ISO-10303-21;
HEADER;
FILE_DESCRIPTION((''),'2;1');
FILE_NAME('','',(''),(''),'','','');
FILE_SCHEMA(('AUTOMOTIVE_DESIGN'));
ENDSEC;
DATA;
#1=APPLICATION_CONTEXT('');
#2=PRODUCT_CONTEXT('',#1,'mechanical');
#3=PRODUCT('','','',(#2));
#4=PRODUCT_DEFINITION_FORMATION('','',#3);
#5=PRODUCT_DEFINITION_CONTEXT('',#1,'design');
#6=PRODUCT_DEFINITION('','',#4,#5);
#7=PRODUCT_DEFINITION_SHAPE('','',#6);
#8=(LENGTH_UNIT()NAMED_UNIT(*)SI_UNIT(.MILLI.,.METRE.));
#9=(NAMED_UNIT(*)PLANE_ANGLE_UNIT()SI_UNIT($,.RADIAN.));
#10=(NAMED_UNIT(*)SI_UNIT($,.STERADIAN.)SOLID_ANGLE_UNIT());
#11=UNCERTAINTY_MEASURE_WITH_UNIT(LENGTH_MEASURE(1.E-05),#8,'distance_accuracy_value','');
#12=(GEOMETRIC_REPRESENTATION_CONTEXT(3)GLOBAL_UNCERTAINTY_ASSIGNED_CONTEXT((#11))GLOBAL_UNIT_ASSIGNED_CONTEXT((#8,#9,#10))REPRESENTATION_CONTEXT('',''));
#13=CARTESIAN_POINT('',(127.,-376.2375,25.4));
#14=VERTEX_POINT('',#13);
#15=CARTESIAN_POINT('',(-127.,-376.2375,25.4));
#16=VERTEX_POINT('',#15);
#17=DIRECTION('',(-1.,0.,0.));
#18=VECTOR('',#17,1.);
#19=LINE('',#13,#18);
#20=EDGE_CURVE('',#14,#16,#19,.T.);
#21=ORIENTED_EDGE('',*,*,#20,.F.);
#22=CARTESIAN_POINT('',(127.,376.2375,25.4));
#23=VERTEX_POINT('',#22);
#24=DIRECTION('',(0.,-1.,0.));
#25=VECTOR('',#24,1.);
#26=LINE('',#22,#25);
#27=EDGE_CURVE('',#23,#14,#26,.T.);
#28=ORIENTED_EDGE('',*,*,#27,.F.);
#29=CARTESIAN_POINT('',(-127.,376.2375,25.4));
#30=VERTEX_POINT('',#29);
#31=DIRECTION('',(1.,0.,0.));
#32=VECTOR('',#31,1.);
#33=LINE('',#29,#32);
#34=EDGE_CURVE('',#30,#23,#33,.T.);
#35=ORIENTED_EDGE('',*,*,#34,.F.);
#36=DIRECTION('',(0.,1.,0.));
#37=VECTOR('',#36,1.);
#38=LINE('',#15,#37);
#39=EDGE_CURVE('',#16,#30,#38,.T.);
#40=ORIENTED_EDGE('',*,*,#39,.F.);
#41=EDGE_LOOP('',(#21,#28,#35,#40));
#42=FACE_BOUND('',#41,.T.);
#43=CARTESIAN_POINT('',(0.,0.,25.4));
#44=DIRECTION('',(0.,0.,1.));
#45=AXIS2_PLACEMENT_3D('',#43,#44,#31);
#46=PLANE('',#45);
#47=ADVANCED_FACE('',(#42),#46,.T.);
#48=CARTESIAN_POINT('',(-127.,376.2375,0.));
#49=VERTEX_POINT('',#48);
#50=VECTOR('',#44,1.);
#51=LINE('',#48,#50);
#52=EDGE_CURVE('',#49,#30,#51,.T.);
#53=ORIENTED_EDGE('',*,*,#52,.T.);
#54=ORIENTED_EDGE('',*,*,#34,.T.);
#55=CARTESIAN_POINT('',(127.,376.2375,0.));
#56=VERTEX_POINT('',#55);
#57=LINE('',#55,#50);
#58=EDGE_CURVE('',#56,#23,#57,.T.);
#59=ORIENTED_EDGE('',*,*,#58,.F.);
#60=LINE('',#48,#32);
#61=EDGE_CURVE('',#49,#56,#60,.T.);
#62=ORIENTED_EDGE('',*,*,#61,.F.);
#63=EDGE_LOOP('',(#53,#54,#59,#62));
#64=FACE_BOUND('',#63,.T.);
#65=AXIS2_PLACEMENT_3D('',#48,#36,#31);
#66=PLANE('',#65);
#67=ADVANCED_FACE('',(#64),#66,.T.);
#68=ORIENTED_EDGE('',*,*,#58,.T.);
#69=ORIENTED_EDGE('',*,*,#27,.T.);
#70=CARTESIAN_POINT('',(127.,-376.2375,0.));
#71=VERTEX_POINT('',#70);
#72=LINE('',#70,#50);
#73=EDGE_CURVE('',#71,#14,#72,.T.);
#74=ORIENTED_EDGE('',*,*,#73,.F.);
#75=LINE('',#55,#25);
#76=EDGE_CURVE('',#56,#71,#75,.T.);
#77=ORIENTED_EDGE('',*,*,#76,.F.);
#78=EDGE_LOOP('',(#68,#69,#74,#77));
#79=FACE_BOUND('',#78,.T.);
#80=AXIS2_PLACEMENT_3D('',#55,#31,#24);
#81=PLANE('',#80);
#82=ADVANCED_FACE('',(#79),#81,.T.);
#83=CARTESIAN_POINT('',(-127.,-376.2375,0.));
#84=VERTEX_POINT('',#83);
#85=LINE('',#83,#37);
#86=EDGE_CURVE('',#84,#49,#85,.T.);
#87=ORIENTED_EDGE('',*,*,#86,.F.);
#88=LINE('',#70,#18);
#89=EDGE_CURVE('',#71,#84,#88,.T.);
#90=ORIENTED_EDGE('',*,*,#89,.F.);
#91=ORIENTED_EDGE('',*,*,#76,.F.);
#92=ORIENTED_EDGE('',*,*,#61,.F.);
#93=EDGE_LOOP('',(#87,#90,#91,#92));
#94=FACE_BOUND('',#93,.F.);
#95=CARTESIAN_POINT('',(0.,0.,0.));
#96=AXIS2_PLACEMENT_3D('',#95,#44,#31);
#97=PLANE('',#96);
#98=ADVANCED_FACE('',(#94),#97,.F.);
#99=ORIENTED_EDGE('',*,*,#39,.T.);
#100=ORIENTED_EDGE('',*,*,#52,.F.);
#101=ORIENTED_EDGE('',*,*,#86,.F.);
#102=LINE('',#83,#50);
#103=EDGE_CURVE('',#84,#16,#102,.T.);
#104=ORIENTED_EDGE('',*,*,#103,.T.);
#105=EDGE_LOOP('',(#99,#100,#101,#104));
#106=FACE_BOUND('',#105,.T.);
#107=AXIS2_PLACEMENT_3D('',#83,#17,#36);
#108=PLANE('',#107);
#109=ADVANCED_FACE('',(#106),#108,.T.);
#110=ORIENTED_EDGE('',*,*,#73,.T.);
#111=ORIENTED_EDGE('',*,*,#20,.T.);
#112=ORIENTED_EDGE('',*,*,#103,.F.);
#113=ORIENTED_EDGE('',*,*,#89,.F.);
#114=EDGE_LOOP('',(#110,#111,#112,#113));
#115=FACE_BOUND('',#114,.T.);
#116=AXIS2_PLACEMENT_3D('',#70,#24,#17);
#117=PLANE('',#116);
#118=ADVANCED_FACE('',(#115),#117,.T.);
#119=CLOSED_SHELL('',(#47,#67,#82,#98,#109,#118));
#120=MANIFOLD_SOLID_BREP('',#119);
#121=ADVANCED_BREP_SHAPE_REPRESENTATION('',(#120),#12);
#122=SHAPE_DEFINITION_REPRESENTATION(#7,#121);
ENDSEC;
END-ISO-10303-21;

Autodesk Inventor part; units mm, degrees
ref_plane "YZ Plane" through (0, 0, 0) normal (1, 0, 0) x (0, 1, 0)
ref_plane "XZ Plane" through (0, 0, 0) normal (0, 1, 0) x (-1, 0, 0)
ref_plane "XY Plane" through (0, 0, 0) normal (0, 0, 1) x (1, 0, 0)
sketch "Sketch1" plane through (0, 0, 0) normal (0, 0, 1) x (1, 0, 0)
  line L0 (-127, 376.2375) -> (127, 376.2375)
  line L1 (127, 376.2375) -> (127, -376.2375)
  line L2 (127, -376.2375) -> (-127, -376.2375)
  line L3 (-127, -376.2375) -> (-127, 376.2375)
  line L4 (-127, 376.2375) -> (127, -376.2375) construction
  line L5 (127, 376.2375) -> (-127, -376.2375) construction
  point P0 (0, 0)
  dimension "d0" = 254
  dimension "d1" = 752.475
extrude "Extrusion1" add sketch "Sketch1" along normal blind 25.4
properties part number "16 - watertable - 96" material "Granite, Cut, Polished"
